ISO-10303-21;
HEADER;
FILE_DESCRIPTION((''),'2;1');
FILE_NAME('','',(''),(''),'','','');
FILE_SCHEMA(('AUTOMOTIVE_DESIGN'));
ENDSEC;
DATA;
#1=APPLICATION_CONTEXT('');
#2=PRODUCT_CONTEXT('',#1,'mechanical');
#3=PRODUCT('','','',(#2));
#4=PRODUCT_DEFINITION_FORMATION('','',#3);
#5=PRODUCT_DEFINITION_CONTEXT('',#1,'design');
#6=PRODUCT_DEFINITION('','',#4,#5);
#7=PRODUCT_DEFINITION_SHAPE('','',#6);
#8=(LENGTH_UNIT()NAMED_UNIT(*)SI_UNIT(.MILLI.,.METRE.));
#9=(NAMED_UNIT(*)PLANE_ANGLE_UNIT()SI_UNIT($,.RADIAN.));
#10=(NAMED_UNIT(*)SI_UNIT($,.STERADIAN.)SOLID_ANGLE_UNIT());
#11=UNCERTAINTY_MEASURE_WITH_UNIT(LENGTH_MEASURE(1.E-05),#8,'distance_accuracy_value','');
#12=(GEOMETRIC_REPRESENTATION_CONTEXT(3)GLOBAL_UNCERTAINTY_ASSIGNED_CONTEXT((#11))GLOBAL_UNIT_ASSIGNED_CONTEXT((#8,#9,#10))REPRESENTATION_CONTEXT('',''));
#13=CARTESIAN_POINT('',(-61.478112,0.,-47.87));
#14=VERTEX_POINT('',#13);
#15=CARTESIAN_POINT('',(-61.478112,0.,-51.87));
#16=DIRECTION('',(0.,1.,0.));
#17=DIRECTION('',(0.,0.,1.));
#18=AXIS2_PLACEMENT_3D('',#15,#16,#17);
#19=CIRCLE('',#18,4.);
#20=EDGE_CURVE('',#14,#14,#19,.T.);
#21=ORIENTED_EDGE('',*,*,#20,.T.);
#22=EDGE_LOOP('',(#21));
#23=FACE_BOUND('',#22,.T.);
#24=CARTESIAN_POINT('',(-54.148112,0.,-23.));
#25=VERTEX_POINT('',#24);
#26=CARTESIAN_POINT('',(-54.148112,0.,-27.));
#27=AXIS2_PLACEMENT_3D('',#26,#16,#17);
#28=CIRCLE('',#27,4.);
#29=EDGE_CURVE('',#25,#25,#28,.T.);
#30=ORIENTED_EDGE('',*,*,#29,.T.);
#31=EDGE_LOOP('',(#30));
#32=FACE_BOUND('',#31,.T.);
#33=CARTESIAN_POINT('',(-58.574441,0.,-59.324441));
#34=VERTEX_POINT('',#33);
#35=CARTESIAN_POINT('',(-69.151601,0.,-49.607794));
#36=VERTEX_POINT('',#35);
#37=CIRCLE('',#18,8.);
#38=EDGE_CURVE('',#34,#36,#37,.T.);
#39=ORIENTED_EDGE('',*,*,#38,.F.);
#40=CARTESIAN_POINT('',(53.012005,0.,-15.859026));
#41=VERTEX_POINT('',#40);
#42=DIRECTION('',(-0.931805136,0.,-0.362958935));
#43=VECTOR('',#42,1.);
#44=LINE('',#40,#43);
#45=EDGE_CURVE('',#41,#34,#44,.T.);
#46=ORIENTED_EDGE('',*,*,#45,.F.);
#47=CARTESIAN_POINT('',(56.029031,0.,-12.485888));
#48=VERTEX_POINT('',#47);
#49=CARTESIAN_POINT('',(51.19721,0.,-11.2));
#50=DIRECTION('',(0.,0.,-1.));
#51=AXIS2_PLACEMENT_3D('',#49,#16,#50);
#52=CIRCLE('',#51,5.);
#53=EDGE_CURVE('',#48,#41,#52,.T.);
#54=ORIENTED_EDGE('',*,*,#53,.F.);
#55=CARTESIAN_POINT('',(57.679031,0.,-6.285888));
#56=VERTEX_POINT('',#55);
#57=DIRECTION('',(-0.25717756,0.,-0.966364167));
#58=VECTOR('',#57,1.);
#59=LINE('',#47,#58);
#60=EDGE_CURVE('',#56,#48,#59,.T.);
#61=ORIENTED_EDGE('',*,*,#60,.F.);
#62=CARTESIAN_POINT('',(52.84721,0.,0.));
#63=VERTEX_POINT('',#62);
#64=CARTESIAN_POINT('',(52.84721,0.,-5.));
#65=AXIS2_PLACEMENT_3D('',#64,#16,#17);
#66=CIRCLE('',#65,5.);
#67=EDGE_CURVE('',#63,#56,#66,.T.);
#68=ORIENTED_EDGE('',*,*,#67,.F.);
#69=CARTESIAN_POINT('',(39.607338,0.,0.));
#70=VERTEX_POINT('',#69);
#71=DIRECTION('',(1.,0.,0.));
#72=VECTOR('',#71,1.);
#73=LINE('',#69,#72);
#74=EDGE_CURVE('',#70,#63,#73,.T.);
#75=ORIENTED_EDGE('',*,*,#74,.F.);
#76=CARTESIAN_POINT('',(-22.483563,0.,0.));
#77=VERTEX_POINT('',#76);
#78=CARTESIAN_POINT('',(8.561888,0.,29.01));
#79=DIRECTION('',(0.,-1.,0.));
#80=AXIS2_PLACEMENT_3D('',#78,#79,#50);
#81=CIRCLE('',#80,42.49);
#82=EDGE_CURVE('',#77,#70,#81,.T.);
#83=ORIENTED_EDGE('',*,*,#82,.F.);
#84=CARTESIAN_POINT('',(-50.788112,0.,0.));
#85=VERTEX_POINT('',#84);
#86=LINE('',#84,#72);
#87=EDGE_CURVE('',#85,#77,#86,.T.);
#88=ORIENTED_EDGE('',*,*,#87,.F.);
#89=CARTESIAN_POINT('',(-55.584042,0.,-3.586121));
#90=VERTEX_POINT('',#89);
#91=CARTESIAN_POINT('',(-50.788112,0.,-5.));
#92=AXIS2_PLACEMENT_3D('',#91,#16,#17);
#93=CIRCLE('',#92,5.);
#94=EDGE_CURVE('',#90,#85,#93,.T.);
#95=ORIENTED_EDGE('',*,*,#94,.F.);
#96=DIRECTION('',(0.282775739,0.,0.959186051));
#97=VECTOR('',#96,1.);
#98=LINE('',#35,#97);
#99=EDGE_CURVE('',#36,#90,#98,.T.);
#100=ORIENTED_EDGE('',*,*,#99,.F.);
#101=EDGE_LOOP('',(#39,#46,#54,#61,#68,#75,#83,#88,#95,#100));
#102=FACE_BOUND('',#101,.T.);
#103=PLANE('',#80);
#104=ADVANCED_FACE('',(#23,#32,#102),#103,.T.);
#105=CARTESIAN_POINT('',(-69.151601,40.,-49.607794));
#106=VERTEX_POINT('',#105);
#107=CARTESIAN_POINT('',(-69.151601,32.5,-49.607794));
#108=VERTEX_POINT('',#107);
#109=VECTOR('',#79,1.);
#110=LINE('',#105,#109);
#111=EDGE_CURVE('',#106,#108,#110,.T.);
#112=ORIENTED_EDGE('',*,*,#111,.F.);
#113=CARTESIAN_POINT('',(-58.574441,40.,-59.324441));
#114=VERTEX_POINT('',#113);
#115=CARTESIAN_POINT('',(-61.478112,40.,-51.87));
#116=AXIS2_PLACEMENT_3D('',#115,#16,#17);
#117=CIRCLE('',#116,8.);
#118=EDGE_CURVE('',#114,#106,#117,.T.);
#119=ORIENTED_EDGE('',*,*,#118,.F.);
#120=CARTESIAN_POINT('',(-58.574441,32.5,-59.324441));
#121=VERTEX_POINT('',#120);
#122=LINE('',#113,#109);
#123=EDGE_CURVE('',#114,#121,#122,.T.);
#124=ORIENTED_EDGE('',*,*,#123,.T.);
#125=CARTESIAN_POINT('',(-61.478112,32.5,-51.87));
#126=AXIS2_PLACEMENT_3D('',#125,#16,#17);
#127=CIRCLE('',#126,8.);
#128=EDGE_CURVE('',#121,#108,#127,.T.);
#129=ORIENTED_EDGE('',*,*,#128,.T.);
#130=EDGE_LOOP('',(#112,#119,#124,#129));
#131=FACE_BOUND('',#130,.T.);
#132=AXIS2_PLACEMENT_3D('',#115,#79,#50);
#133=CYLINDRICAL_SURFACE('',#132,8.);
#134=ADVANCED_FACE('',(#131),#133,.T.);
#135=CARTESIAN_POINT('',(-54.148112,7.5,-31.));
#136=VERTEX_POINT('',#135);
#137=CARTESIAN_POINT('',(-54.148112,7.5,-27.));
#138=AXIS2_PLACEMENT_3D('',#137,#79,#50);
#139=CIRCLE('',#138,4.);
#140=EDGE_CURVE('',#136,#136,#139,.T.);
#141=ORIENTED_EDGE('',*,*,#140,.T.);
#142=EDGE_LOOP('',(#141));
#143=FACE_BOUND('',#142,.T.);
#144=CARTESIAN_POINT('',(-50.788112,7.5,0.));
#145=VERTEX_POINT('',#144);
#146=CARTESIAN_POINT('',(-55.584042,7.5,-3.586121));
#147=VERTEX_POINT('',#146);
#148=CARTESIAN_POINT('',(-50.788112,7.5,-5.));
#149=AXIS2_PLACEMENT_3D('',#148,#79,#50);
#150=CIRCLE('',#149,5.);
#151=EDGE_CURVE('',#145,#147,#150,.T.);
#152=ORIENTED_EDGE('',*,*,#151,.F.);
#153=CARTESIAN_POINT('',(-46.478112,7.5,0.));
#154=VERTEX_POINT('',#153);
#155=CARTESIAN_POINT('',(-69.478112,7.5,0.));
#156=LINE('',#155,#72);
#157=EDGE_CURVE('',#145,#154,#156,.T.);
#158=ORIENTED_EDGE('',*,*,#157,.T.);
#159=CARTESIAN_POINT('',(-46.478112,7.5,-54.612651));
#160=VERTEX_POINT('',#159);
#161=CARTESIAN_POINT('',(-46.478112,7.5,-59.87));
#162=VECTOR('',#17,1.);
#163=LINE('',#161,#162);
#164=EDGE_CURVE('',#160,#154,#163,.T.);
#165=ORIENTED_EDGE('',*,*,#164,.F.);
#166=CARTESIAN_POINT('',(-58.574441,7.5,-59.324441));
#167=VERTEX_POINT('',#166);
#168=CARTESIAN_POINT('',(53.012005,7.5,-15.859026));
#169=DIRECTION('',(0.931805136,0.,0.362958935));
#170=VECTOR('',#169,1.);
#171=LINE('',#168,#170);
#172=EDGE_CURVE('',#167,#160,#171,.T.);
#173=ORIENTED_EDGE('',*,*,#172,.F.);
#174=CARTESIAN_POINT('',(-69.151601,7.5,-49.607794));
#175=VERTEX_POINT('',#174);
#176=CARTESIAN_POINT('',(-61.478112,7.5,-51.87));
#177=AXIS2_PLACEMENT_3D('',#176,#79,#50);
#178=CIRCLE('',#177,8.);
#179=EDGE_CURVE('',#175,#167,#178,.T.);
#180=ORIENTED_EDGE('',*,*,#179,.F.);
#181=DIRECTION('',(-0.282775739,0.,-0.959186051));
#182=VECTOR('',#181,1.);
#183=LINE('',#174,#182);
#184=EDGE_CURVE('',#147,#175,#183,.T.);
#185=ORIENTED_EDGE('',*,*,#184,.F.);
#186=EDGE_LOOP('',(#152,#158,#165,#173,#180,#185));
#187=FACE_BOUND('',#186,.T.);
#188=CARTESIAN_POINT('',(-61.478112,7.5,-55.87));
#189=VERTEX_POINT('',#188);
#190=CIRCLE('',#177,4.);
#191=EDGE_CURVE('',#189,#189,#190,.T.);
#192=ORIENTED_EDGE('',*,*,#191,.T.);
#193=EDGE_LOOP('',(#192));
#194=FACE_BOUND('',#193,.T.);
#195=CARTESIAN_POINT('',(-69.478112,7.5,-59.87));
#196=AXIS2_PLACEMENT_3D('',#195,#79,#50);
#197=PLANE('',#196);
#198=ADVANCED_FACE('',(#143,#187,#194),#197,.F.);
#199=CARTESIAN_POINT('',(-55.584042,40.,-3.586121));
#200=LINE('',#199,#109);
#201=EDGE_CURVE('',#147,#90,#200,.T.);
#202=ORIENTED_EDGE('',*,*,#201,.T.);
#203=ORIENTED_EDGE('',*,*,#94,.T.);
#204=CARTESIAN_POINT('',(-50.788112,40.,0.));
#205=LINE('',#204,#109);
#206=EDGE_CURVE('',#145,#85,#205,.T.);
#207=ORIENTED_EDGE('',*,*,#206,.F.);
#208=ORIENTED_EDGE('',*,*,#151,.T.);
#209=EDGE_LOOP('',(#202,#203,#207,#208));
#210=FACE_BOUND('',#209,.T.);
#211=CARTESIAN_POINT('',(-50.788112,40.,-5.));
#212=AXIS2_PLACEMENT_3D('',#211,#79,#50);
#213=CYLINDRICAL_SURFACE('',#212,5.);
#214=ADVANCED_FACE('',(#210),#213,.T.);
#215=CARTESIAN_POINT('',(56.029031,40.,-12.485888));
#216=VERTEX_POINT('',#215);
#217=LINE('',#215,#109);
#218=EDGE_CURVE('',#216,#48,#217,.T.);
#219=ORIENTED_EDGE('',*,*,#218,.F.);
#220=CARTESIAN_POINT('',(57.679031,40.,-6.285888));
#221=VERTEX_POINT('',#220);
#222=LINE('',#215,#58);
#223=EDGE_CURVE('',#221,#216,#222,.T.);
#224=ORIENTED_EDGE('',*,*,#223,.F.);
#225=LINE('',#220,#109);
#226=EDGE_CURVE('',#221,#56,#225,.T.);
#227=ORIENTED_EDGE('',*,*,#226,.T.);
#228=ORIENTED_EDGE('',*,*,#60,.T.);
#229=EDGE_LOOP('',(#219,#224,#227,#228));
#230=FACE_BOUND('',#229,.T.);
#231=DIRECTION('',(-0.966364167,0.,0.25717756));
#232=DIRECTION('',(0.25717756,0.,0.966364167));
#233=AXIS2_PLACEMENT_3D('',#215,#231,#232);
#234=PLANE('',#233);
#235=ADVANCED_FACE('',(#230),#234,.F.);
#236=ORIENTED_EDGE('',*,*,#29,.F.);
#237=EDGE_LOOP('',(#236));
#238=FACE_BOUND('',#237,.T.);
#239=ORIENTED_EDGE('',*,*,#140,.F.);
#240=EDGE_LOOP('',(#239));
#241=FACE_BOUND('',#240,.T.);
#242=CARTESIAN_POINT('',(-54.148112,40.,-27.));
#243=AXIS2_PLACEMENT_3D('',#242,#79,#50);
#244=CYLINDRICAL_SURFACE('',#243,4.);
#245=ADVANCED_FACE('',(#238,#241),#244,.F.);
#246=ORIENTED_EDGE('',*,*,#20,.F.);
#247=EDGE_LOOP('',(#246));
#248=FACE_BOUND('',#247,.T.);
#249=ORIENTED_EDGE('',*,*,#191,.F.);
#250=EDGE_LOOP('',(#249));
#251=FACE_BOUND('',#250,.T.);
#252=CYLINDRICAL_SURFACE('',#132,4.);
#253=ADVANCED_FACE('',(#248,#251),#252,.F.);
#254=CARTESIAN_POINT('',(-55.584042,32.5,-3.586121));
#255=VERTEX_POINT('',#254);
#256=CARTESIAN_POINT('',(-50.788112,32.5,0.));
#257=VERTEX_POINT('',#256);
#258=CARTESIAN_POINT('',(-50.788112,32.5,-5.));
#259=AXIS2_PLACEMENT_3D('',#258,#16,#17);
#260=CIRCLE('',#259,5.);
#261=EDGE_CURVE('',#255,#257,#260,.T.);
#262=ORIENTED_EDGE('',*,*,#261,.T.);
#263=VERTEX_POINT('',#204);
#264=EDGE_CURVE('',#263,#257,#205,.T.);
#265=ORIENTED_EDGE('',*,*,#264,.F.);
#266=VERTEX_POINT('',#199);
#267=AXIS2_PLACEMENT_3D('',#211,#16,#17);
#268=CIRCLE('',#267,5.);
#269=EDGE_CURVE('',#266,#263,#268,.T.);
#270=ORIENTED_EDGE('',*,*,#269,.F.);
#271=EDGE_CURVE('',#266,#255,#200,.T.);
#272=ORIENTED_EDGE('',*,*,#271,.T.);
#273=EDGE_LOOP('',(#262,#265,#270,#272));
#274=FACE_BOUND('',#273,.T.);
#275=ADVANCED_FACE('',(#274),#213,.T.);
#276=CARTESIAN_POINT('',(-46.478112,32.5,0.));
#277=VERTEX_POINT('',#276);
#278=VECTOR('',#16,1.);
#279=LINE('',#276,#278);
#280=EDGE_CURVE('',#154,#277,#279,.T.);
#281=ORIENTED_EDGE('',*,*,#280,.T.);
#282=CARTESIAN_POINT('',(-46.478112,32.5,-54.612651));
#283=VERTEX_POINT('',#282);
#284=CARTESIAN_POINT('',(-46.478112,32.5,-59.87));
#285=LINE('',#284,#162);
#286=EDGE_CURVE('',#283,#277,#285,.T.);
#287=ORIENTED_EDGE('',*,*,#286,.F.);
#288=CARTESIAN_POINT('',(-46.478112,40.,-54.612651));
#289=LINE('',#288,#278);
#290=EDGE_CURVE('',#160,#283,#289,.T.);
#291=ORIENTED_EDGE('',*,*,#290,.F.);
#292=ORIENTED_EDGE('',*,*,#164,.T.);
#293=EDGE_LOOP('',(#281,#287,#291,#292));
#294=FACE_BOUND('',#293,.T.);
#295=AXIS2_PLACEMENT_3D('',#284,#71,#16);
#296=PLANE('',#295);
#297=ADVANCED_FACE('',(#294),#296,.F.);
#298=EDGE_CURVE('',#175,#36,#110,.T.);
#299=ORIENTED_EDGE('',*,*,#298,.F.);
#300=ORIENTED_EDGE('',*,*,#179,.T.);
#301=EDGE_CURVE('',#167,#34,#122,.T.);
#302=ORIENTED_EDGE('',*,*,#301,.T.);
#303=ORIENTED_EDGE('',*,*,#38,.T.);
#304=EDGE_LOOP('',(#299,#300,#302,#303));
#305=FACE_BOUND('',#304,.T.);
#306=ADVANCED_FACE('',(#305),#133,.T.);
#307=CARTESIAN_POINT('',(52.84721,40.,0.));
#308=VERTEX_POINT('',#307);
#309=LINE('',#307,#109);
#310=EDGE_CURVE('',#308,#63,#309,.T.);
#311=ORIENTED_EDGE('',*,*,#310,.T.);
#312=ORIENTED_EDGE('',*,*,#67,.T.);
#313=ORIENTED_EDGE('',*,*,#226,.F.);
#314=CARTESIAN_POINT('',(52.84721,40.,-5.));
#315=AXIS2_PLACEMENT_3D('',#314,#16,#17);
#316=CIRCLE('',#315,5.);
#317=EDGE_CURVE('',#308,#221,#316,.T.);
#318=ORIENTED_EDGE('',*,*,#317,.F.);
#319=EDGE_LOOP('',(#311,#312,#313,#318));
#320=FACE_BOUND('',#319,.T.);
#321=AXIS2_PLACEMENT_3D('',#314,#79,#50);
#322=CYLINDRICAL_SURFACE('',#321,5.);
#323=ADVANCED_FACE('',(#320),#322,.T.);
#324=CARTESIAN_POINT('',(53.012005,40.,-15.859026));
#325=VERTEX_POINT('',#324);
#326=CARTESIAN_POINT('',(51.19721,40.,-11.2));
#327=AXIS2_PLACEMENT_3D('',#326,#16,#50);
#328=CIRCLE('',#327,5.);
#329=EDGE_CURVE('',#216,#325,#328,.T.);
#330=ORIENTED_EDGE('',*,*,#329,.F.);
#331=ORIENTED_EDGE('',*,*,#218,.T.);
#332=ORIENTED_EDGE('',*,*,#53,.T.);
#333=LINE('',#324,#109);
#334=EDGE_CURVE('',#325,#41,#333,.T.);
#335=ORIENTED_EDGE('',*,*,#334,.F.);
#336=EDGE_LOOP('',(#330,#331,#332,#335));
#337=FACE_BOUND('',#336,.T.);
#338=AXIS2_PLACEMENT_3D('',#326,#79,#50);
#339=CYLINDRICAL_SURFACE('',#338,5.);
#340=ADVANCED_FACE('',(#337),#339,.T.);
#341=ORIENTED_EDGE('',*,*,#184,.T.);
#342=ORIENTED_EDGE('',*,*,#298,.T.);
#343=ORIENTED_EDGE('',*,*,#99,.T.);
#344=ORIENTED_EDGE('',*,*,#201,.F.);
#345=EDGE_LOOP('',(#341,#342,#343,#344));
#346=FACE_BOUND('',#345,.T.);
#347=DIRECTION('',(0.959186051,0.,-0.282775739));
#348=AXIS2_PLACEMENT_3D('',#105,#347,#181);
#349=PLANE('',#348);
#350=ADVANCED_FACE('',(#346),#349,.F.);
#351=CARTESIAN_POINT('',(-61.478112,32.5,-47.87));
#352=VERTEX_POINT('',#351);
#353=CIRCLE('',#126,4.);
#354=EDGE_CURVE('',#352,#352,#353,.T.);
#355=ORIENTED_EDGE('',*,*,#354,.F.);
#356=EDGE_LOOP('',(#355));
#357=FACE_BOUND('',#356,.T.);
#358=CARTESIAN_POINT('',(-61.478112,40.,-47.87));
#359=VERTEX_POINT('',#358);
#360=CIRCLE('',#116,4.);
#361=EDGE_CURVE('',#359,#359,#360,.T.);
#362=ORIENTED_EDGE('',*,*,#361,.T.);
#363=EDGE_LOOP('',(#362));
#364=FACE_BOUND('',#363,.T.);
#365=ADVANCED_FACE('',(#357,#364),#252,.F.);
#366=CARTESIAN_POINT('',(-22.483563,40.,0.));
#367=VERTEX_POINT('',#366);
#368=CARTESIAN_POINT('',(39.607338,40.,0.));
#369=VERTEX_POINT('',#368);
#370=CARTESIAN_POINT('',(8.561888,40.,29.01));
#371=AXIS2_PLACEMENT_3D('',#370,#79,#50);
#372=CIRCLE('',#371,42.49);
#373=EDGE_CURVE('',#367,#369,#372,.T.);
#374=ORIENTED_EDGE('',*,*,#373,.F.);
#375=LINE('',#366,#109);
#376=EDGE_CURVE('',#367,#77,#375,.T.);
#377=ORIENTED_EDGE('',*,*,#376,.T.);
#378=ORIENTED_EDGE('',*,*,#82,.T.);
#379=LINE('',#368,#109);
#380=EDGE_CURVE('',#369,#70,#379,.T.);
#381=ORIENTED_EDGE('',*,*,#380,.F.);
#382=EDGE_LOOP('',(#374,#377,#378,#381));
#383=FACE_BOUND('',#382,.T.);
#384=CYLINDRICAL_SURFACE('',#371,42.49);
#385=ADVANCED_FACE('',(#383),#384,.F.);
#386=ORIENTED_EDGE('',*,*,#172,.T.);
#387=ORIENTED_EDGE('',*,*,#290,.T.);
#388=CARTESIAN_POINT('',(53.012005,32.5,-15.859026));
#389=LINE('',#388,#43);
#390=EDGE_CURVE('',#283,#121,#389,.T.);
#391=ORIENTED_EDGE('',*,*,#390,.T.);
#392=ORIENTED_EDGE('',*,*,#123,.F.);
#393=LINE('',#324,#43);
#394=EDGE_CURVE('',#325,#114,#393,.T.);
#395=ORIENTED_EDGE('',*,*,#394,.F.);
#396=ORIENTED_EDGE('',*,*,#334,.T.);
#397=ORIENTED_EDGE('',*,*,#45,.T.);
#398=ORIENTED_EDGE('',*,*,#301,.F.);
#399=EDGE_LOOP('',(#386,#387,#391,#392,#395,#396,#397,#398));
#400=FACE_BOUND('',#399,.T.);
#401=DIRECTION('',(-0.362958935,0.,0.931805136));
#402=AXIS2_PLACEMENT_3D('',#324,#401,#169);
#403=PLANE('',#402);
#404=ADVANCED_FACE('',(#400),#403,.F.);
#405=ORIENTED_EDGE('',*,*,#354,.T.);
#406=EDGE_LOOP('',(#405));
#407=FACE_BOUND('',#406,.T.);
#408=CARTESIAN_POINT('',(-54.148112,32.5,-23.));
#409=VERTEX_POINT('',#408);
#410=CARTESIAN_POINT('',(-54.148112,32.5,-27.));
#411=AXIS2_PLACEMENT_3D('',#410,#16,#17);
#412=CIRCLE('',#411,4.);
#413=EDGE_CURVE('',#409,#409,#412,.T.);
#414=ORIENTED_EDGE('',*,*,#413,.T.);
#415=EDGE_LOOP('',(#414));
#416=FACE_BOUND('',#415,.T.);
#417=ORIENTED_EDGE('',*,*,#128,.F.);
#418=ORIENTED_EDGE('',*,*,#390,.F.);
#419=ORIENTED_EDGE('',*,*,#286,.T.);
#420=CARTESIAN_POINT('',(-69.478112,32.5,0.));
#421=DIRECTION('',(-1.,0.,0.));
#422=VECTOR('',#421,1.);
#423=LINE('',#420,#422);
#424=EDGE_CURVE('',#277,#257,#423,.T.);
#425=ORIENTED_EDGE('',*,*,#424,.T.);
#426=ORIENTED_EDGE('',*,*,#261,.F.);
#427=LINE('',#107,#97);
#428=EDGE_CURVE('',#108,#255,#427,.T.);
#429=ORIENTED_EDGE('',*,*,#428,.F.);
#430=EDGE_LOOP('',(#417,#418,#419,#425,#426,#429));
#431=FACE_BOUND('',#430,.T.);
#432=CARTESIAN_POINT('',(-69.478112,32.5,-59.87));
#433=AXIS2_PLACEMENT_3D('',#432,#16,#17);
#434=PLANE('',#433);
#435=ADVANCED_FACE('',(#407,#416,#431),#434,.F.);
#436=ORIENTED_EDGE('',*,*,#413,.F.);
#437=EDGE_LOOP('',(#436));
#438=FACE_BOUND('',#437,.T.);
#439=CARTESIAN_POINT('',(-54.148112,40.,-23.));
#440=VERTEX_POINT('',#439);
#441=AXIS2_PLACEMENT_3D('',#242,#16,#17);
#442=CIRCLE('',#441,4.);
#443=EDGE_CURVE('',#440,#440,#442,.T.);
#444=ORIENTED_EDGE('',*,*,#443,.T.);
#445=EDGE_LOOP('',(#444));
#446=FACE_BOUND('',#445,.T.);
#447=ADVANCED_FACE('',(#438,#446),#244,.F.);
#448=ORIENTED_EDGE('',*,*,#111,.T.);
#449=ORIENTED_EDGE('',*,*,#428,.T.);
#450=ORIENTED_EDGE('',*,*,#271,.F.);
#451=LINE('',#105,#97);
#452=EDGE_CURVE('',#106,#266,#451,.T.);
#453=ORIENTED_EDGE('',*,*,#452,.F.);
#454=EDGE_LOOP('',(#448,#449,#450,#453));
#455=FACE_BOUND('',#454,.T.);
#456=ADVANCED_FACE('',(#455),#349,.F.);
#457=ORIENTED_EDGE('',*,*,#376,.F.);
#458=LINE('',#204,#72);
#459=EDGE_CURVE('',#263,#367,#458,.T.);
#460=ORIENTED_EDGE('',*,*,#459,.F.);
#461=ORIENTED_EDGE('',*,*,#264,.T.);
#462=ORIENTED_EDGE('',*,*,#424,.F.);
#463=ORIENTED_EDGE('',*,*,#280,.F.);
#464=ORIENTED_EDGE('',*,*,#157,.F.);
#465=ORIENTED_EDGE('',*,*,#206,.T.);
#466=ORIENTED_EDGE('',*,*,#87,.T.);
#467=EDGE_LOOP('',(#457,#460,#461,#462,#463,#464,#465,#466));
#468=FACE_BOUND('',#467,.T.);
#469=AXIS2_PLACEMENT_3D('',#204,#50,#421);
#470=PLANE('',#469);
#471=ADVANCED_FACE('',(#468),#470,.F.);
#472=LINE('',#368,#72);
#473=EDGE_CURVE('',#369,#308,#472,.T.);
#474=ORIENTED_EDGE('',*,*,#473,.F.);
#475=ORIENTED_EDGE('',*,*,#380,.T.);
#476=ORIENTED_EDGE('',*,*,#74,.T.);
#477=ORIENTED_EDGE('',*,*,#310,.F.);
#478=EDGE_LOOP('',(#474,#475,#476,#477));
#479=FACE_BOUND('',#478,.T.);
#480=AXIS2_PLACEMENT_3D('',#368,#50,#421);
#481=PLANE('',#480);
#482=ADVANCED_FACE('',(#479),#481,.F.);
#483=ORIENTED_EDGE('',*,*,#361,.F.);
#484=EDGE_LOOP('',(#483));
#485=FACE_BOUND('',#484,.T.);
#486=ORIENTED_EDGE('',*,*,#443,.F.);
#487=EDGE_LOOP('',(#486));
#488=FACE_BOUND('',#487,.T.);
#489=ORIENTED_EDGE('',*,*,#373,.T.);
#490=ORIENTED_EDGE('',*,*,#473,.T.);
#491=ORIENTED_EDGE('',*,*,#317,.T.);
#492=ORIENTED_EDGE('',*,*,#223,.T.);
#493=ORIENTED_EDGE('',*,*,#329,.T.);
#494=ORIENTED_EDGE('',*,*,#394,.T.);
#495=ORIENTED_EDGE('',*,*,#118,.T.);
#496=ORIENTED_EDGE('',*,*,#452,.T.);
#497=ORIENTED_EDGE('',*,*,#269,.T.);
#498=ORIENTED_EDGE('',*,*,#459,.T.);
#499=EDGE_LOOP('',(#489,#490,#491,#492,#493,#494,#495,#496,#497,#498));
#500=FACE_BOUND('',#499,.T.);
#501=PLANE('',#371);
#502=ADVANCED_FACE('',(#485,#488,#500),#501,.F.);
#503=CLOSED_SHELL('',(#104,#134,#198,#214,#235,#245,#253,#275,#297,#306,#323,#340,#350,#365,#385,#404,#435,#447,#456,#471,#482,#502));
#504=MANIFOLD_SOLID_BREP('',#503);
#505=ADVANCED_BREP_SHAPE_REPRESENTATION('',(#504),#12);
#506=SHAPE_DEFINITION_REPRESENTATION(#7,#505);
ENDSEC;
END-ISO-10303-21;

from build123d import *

# Parameters (mm, degrees)
SKETCH1_R           = 4
BOSS_EXTRUDE1_DEPTH = 40
SKETCH2_W           = 23
SKETCH2_H           = 25
CUT_EXTRUDE1_DEPTH  = 101.058107917


with BuildPart() as part:
    # Sketch1 → Boss-Extrude1 (new body)
    with BuildSketch(Plane(origin=(0, 0, 0), x_dir=(1, 0, 0), z_dir=(0, 1, 0))):
        with BuildLine():
            Line((39.60733846, 0), (52.847209838, 0))
            ThreePointArc((52.847209838, 0), (56.811389388, 1.952824177), (57.67903067, 6.285887802))
            Line((57.67903067, 6.285887802), (56.02903067, 12.485887802))
            ThreePointArc((56.02903067, 12.485887802), (54.923989844, 14.533333284), (53.012004514, 15.85902568))
            Line((53.012004514, 15.85902568), (-58.57444061, 59.324441087))
            ThreePointArc((-58.57444061, 59.324441087), (-66.890236963, 57.761426345), (-69.151600504, 49.607794087))
            Line((-69.151600504, 49.607794087), (-55.584042349, 3.586121305))
            ThreePointArc((-55.584042349, 3.586121305), (-53.782323718, 0.995665256), (-50.788112092, 0))
            Line((-50.788112092, 0), (-22.483562644, 0))
            ThreePointArc((-22.483562644, 0), (8.561887908, 13.48), (39.60733846, 0))
        make_face()
        with Locations(Location((-61.478112092, 51.87, 0), (0, 0, 270))):
            Circle(SKETCH1_R, mode=Mode.SUBTRACT)
        with Locations(Location((-54.148112092, 27, 0), (0, 0, 270))):
            Circle(SKETCH1_R, mode=Mode.SUBTRACT)
    extrude(amount=BOSS_EXTRUDE1_DEPTH)

    # Sketch2 → Cut-Extrude1 (cut, through all)
    with BuildSketch(Plane.XY):
        with Locations((-57.978112092, 20)):
            Rectangle(SKETCH2_W, SKETCH2_H)
    extrude(amount=-CUT_EXTRUDE1_DEPTH, mode=Mode.SUBTRACT)


solid = part.part
